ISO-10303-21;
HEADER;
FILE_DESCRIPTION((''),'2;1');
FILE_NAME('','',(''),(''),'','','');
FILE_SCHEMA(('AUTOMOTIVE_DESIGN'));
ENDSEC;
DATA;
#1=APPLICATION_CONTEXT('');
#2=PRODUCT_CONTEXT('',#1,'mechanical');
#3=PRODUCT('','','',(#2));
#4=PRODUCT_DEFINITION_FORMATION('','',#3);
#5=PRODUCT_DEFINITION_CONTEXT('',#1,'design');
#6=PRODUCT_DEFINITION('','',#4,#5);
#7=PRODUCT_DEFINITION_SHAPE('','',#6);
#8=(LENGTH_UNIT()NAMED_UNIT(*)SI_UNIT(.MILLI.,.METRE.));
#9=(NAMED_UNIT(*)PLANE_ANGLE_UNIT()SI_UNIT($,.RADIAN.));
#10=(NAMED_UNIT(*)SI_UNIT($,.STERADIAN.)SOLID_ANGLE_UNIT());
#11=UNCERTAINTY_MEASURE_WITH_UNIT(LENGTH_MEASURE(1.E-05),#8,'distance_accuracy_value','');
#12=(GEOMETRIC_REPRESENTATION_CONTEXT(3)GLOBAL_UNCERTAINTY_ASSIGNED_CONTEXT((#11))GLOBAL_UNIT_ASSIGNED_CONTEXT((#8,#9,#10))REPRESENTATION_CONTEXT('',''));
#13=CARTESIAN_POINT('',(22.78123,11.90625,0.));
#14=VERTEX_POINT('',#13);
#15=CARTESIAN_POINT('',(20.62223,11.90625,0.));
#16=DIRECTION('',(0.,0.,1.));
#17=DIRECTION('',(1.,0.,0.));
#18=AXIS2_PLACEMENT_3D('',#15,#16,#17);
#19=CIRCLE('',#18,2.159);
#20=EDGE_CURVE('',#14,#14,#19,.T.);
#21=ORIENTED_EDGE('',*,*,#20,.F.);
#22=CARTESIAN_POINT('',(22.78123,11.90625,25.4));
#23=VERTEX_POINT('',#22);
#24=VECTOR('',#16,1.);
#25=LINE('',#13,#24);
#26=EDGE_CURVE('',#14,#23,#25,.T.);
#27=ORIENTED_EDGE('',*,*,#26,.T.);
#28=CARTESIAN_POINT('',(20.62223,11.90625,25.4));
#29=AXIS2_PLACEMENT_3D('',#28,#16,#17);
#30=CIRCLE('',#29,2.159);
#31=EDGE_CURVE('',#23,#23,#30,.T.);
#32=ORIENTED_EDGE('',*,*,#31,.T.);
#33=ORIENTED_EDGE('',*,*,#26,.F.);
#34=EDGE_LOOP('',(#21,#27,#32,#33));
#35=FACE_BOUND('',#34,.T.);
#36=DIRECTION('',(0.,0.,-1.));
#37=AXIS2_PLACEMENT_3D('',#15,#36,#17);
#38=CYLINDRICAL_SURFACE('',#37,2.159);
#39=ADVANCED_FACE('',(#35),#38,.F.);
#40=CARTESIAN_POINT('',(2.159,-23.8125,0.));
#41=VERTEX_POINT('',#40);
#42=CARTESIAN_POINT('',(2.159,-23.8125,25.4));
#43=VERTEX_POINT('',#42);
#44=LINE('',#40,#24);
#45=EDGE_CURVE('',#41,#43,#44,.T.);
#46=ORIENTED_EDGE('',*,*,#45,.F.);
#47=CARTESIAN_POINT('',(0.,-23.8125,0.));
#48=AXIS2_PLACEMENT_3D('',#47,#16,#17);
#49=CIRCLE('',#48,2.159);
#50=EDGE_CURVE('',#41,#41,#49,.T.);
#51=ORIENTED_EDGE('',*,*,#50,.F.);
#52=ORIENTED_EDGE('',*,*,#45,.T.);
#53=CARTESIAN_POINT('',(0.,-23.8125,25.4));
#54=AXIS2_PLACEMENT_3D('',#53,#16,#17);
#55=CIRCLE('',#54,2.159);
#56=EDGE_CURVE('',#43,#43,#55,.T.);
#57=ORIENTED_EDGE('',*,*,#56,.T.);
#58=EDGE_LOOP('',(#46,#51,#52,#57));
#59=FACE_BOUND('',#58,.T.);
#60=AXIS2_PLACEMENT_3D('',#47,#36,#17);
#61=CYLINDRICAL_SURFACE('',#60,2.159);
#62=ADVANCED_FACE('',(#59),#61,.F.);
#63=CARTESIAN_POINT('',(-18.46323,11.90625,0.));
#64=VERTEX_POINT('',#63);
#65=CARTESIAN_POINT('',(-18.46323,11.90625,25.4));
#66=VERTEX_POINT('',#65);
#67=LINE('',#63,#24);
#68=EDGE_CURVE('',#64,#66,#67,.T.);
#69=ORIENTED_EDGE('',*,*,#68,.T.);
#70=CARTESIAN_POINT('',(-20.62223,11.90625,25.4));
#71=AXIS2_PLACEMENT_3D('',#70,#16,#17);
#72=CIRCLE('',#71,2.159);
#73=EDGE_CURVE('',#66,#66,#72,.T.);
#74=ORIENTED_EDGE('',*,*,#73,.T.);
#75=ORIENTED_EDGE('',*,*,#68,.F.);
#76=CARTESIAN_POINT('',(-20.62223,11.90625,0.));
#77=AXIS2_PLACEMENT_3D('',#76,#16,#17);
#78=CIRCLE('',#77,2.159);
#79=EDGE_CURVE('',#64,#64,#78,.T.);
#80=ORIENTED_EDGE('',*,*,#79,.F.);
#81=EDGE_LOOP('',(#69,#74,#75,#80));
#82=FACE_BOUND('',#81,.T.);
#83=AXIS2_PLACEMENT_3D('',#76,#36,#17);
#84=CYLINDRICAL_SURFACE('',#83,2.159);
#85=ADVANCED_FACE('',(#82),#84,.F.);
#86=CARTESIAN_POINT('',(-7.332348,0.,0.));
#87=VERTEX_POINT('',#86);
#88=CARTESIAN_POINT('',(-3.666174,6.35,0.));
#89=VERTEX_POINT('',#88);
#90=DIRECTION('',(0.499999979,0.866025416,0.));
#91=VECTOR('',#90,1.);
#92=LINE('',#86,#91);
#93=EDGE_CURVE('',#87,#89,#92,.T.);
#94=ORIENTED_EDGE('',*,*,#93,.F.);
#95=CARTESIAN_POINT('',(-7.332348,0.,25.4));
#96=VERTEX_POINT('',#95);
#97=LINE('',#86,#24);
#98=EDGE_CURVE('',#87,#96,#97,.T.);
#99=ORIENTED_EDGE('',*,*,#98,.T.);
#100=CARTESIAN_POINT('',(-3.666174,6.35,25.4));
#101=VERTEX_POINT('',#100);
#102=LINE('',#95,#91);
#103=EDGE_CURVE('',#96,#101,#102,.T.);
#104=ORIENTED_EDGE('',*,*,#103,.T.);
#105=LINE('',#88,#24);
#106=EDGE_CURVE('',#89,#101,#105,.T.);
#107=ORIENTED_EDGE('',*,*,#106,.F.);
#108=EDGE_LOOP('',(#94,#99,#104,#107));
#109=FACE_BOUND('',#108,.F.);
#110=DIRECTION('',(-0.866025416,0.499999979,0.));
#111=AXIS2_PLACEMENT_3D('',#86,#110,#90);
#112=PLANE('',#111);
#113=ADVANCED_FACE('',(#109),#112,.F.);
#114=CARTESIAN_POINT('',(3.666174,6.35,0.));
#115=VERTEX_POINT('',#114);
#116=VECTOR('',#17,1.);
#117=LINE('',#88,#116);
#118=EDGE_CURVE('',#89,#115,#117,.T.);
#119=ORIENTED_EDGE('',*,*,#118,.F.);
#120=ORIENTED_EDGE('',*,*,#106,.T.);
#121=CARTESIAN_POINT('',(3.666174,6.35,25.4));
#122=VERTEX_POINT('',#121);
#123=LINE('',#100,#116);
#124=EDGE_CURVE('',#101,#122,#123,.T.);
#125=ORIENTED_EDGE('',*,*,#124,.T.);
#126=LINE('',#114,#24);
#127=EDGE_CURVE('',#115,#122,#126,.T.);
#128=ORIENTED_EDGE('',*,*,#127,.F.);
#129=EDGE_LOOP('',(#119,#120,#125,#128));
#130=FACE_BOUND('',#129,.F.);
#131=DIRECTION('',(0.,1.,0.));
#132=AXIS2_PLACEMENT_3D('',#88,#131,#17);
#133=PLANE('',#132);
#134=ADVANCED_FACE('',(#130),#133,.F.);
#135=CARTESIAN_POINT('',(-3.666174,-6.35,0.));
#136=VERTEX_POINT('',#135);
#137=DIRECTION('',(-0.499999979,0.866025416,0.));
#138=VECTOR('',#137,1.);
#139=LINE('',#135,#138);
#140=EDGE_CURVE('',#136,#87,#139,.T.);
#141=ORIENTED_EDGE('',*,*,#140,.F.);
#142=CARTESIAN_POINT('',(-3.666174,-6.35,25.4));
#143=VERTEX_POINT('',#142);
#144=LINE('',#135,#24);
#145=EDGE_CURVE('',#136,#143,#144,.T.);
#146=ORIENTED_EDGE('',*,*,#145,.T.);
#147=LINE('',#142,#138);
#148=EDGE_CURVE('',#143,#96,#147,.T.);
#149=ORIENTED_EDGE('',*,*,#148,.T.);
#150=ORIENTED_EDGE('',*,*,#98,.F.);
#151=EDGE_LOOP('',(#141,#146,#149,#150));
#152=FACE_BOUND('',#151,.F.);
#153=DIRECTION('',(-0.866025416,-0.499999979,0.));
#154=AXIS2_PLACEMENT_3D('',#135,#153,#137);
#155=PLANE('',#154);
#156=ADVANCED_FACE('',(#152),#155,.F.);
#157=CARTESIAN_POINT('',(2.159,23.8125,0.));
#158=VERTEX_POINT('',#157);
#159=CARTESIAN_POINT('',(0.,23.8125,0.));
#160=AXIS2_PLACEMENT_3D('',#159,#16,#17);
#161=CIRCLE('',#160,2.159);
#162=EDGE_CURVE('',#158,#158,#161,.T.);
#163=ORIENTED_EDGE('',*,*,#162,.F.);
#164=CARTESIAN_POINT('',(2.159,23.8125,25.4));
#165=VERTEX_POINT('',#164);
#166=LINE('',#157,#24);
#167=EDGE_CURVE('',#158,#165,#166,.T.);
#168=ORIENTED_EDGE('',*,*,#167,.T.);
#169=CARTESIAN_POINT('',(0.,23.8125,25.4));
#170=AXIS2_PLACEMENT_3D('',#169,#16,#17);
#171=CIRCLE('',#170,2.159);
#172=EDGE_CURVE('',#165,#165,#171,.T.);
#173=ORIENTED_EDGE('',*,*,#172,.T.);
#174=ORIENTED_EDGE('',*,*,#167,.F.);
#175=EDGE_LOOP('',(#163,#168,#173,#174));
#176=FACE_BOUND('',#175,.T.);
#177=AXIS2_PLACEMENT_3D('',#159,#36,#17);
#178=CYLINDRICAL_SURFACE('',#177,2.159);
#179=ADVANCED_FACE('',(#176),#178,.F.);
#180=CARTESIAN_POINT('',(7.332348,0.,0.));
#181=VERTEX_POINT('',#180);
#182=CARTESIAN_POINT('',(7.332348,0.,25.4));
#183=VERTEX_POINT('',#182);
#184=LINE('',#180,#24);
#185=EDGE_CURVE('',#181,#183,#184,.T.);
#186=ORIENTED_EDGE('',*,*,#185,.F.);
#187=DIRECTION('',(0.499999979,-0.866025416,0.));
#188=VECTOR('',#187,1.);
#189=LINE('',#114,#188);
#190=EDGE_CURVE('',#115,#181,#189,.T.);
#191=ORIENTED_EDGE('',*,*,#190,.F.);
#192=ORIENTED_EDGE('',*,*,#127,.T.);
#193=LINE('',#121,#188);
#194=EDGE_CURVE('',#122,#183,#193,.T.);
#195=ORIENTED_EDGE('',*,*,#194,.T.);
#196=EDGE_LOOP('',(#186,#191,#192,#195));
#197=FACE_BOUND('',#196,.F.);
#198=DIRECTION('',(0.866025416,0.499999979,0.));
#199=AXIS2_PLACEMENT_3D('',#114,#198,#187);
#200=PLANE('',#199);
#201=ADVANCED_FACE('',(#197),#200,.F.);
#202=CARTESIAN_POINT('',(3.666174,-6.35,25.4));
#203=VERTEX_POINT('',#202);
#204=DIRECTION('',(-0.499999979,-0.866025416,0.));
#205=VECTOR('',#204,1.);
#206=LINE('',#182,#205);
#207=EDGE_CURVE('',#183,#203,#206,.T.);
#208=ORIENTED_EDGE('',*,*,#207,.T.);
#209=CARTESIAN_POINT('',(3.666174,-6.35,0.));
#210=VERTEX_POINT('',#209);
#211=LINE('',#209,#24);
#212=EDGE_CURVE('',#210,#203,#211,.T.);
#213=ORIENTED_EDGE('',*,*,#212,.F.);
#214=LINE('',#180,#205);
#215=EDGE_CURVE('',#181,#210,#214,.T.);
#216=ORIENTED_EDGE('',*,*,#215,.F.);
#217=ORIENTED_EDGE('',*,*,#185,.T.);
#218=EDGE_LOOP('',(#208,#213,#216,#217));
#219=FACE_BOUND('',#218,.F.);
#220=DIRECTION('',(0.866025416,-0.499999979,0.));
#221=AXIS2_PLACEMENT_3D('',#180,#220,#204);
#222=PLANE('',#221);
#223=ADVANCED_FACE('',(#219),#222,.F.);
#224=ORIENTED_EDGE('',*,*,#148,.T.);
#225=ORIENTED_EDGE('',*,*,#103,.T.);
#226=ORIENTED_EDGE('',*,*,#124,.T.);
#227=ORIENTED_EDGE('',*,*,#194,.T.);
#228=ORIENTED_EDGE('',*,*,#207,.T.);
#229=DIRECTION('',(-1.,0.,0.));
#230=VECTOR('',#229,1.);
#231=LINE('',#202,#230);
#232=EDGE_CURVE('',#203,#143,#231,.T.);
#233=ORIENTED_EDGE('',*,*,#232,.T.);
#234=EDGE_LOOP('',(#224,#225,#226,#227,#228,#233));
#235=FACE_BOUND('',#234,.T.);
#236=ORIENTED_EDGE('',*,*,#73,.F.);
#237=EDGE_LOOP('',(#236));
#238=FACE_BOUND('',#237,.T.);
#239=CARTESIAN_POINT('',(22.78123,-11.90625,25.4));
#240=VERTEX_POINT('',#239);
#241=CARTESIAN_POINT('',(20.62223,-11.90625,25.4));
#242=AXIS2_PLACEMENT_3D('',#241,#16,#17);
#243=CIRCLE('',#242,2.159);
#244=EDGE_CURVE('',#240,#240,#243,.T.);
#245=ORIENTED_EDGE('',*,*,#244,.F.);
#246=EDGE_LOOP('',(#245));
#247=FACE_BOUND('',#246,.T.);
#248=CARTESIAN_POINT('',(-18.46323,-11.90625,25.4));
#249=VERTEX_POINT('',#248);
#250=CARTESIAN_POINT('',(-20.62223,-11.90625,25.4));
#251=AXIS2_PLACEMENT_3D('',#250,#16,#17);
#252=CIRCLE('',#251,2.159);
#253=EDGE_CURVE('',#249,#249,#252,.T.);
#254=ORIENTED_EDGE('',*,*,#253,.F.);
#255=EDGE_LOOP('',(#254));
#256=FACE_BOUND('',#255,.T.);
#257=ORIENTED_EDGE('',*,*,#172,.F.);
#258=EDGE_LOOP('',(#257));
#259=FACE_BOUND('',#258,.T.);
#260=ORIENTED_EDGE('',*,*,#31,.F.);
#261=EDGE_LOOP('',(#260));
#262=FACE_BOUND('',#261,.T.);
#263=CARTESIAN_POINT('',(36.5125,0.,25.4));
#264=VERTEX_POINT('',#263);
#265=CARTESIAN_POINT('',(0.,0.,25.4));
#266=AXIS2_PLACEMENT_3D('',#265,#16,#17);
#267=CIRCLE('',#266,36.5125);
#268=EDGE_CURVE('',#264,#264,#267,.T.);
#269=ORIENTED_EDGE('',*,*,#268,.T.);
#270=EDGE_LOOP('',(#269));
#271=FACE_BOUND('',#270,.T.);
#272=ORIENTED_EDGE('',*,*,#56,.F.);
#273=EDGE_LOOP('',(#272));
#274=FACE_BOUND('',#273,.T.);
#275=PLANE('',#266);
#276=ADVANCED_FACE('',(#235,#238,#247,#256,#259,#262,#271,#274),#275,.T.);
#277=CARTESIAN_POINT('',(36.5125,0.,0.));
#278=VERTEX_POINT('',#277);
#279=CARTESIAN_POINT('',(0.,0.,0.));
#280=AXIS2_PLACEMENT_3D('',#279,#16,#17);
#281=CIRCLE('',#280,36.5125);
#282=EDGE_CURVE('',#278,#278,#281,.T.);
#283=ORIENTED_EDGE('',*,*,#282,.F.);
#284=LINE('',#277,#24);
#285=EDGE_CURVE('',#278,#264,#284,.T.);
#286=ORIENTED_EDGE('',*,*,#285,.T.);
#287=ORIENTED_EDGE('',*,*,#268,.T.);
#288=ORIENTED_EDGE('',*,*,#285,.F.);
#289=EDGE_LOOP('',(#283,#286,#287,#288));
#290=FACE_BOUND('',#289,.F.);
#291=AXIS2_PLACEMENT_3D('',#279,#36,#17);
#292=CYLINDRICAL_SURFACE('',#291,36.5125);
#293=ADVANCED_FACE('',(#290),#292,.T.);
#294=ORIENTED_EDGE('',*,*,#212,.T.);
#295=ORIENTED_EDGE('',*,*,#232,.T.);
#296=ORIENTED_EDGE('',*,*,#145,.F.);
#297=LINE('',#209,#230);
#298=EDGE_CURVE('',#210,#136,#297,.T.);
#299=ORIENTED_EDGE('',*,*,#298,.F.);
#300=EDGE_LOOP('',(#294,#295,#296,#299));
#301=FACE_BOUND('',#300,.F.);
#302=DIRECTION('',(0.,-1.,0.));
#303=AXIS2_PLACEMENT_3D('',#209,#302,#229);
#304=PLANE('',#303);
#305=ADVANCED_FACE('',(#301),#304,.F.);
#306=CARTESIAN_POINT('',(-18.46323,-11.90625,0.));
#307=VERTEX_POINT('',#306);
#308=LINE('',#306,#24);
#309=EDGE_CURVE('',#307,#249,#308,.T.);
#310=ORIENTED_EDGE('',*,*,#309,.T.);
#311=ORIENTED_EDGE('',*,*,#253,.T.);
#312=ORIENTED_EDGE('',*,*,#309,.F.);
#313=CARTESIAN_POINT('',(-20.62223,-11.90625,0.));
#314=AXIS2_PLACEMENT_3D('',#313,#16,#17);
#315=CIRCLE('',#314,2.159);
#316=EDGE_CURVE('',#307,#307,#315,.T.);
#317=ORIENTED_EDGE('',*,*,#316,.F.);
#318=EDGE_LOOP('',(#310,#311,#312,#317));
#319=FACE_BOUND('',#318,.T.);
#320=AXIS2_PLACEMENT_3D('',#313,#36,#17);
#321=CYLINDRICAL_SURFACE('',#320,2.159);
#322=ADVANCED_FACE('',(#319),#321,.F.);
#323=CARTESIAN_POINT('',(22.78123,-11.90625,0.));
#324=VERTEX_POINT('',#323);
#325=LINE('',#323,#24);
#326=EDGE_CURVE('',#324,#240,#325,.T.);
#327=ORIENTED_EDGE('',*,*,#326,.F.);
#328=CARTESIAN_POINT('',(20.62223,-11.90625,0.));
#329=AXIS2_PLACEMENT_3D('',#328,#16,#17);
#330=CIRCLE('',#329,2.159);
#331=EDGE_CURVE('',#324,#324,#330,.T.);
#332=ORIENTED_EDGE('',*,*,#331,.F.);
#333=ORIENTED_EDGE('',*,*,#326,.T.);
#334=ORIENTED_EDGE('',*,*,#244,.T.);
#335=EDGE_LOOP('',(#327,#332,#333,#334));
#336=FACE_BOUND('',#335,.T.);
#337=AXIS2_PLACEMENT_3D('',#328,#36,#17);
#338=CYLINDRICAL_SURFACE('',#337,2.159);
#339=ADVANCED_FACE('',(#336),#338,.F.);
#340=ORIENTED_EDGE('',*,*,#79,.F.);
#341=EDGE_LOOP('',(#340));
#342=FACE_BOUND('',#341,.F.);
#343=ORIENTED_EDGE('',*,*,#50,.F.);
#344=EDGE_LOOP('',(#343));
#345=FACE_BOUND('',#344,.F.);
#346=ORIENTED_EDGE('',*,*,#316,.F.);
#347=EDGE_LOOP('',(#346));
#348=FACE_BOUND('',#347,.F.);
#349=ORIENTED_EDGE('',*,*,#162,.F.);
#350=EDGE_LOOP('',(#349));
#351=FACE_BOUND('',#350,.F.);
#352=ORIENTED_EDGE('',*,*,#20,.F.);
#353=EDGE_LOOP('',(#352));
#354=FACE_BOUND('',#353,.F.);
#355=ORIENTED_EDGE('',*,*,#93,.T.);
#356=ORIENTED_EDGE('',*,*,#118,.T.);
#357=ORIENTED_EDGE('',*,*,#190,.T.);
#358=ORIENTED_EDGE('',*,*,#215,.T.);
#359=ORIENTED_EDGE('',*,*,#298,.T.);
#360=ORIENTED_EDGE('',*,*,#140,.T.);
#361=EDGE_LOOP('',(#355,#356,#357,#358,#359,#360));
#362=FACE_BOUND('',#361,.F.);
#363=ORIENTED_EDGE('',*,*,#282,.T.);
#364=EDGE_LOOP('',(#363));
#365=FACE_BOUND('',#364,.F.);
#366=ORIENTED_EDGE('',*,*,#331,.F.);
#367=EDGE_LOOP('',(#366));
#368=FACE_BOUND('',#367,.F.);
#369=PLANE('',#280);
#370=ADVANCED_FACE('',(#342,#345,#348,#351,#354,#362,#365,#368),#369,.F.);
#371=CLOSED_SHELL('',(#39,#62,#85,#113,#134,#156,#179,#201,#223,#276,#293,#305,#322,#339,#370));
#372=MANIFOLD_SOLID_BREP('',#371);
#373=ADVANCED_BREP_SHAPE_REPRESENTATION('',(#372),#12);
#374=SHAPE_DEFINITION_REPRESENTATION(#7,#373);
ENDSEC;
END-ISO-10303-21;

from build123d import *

# Parameters (mm, degrees)
F0_R     = 36.5125
F0_R_2   = 2.159
F1_DEPTH = 25.4


with BuildPart() as f1:
    # F0 (on Top) → F1 (new body)
    with BuildSketch(Plane.XY):
        Circle(F0_R)
        with Locations((-20.62223, -11.90625)):
            Circle(F0_R_2, mode=Mode.SUBTRACT)
        with Locations((0, -23.8125)):
            Circle(F0_R_2, mode=Mode.SUBTRACT)
        with Locations((20.62223, -11.90625)):
            Circle(F0_R_2, mode=Mode.SUBTRACT)
        with Locations((-20.62223, 11.90625)):
            Circle(F0_R_2, mode=Mode.SUBTRACT)
        Polygon((7.332348, 0), (3.666174, -6.35), (-3.666174, -6.35), (-7.332348, 0), (-3.666174, 6.35), (3.666174, 6.35), align=None, mode=Mode.SUBTRACT)
        with Locations((20.62223, 11.90625)):
            Circle(F0_R_2, mode=Mode.SUBTRACT)
        with Locations((0, 23.8125)):
            Circle(F0_R_2, mode=Mode.SUBTRACT)
    extrude(amount=F1_DEPTH)


solid = f1.part
